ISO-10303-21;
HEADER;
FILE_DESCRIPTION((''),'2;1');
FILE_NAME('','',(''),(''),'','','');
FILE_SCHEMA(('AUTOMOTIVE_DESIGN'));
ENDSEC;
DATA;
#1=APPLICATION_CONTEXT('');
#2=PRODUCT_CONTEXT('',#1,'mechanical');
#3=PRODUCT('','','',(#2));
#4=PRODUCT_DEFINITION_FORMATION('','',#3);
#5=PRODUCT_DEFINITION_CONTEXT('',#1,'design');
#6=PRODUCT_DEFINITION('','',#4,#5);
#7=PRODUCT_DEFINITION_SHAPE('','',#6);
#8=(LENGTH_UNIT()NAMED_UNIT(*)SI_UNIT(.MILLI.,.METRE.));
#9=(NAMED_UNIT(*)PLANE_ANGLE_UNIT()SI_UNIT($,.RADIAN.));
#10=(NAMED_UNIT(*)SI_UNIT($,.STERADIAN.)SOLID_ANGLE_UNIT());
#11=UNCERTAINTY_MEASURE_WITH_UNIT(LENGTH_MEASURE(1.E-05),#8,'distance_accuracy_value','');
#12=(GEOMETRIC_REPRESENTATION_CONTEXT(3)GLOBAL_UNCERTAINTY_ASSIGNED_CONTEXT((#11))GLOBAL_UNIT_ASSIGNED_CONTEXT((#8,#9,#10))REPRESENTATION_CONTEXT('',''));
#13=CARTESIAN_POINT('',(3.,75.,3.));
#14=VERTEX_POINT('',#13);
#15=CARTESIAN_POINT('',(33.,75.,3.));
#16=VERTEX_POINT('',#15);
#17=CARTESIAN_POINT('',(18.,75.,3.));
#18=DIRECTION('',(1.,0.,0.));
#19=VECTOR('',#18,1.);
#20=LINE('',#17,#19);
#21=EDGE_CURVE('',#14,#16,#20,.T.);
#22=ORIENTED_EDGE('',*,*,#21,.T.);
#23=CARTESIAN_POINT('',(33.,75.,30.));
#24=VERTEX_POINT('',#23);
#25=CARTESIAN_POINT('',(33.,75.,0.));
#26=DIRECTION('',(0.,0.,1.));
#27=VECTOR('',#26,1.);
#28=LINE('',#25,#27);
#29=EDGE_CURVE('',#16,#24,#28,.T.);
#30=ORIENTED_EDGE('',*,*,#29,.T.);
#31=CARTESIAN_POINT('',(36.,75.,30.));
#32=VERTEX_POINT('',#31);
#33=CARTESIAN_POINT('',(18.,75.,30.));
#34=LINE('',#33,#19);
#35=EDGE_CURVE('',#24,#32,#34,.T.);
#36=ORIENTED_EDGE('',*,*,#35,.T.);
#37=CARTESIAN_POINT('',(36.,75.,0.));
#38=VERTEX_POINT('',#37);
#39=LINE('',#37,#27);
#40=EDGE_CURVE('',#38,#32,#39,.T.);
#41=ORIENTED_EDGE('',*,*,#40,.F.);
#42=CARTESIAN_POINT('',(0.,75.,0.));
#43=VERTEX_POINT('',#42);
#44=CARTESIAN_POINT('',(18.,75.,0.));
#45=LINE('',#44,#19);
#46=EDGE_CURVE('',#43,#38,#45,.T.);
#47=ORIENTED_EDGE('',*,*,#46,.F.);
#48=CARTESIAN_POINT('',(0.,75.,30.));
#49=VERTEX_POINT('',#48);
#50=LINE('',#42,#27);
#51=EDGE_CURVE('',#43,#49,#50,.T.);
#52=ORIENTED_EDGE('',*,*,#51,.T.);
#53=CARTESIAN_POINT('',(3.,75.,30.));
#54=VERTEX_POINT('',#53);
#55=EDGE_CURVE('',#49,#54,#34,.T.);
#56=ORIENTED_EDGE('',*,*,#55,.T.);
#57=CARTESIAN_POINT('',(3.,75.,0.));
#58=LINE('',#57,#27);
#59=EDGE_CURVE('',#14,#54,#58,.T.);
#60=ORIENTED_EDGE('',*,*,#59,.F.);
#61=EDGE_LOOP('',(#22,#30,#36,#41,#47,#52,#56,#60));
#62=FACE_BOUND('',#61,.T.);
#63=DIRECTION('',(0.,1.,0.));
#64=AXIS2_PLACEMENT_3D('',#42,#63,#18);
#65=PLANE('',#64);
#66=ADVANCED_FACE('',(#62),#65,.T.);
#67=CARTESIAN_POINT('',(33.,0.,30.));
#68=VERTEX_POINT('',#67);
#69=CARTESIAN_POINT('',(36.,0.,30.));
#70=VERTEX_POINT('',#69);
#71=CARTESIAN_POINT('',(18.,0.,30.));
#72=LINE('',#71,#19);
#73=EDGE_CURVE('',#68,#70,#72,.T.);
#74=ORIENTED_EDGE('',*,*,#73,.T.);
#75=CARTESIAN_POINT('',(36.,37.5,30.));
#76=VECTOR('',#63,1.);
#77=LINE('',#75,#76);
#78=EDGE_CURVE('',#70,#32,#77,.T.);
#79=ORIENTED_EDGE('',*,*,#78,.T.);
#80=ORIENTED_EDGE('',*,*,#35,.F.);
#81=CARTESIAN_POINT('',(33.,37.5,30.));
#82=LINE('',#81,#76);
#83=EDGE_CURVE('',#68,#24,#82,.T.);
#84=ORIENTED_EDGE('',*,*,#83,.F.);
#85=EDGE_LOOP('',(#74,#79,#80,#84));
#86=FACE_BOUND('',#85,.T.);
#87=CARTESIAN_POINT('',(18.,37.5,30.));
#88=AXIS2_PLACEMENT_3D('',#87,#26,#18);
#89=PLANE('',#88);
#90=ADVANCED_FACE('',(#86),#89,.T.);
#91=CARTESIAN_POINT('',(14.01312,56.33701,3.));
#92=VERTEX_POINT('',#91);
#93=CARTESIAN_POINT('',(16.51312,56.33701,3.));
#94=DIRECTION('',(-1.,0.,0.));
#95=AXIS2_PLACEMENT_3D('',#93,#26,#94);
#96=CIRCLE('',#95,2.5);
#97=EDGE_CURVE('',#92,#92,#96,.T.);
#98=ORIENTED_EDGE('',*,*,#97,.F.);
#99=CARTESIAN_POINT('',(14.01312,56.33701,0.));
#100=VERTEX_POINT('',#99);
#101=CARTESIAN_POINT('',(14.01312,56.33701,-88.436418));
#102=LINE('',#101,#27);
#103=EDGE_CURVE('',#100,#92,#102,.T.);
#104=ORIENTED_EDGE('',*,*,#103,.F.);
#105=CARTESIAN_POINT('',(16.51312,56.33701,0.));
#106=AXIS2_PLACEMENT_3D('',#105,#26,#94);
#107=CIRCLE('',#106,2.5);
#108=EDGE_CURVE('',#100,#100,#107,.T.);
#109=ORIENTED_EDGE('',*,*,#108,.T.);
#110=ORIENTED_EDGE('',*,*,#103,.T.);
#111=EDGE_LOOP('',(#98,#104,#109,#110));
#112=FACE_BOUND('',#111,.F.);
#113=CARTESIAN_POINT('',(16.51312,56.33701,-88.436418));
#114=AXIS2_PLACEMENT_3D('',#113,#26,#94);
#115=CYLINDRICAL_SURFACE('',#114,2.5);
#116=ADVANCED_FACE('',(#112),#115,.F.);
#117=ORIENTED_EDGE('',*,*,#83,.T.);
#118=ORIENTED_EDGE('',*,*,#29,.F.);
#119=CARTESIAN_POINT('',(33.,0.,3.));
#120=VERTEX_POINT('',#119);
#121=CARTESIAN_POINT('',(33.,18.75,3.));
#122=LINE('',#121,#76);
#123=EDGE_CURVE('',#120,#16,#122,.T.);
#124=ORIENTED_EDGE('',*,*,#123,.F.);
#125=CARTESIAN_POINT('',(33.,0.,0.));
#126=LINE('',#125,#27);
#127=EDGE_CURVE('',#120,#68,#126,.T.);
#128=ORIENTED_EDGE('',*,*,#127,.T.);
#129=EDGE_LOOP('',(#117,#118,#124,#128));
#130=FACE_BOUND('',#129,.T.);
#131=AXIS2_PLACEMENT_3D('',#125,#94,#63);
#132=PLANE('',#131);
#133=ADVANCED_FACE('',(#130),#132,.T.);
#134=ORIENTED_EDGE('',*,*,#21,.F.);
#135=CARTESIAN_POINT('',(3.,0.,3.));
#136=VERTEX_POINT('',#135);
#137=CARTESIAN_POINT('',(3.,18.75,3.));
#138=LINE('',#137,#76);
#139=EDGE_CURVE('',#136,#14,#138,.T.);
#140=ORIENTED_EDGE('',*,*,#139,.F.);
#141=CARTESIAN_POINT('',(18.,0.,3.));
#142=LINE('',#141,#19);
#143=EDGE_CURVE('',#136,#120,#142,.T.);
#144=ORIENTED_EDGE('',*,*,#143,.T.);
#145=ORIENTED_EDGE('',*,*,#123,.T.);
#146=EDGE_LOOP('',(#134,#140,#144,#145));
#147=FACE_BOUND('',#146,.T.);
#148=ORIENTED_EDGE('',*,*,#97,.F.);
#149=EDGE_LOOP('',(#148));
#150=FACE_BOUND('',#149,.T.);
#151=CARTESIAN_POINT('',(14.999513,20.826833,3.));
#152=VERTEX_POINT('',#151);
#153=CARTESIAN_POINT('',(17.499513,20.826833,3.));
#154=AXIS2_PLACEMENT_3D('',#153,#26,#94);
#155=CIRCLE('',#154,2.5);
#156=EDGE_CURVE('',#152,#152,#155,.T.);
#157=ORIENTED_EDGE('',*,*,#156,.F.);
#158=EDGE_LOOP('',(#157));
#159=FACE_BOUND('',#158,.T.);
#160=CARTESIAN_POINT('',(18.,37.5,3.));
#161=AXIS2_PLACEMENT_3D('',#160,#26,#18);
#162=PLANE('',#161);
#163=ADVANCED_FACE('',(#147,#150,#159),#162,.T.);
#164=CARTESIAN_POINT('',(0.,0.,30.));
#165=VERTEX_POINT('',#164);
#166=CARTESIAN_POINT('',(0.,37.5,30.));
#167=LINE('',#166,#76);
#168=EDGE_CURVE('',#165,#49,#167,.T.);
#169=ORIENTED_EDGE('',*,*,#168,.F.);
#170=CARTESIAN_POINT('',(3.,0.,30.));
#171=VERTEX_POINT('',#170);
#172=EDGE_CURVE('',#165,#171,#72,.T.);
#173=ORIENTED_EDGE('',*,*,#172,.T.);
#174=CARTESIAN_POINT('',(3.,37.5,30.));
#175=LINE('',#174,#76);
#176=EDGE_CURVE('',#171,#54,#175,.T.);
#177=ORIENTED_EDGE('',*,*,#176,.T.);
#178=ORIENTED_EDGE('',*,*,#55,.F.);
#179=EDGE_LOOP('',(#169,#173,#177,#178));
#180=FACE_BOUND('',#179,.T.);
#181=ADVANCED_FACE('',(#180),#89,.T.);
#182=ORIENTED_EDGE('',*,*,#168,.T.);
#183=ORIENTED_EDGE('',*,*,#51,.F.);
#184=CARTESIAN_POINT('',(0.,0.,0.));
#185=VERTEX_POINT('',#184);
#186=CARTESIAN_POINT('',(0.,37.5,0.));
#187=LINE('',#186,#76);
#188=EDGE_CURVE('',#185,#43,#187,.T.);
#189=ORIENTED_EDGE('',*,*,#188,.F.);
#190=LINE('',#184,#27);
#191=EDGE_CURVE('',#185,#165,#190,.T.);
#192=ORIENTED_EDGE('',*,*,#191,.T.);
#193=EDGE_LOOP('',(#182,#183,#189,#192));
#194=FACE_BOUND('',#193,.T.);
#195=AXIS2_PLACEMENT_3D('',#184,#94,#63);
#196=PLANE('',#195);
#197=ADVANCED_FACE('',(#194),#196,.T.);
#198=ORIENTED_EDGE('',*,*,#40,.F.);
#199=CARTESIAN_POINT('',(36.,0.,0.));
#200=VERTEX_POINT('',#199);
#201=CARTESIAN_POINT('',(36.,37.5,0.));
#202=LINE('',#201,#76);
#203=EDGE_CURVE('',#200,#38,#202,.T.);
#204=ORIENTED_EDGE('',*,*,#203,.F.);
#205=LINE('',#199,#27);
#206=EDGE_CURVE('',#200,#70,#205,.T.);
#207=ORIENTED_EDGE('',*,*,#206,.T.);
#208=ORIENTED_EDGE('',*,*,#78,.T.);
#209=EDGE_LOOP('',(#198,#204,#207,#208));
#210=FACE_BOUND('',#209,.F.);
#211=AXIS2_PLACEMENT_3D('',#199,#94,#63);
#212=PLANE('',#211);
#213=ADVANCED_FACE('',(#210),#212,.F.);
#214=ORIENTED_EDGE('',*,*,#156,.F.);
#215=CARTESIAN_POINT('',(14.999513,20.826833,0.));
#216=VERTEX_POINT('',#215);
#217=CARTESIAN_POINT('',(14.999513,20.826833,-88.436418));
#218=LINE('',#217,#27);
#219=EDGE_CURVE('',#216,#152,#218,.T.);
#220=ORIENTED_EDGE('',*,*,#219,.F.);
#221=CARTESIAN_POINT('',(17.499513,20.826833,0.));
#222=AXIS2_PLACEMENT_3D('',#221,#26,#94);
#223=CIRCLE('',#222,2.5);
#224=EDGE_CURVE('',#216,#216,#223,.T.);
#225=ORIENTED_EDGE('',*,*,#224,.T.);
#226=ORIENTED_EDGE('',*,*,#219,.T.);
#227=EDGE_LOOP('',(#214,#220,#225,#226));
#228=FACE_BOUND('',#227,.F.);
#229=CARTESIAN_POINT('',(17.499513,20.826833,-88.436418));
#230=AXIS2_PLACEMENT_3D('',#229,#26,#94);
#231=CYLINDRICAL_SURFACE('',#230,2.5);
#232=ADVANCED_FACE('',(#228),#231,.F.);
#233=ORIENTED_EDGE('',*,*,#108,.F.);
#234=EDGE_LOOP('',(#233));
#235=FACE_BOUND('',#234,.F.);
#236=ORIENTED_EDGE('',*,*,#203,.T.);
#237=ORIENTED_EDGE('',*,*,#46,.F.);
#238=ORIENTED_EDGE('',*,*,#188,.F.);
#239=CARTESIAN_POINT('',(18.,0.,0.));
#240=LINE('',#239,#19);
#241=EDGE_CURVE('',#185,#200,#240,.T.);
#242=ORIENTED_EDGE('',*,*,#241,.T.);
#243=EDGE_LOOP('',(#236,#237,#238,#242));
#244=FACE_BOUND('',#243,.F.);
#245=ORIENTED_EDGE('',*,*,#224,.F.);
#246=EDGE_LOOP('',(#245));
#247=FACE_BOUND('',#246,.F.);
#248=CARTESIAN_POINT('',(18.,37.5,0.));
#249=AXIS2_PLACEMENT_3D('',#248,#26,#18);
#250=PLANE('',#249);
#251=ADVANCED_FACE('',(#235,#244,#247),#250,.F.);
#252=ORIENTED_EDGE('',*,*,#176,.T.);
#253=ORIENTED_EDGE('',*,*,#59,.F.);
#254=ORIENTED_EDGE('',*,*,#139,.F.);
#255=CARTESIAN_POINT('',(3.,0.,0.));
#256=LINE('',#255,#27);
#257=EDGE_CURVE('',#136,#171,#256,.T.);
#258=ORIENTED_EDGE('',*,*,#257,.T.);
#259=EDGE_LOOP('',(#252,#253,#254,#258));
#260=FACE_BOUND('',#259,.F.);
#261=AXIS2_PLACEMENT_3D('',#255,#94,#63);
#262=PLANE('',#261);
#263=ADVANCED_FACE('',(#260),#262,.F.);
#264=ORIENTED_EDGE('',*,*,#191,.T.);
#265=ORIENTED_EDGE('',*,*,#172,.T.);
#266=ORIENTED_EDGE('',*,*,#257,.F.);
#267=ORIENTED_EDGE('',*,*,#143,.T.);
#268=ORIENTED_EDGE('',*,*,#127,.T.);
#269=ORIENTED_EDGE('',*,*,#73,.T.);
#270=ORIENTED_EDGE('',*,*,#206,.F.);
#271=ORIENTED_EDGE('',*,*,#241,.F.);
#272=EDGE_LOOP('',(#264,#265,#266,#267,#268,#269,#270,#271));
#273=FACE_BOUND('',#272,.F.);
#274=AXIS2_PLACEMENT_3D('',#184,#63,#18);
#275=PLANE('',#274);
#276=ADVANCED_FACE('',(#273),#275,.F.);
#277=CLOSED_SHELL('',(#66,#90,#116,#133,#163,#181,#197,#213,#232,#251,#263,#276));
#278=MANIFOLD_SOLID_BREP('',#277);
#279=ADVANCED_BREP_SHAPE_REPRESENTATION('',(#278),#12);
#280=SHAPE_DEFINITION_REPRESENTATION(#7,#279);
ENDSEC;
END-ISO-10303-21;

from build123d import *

# Parameters (mm, degrees)
F0_W     = 36
F0_H     = 75
F1_DEPTH = 30
F2_T     = -3
F4_D     = 5


with BuildPart() as f1:
    # F0 (on Top) → F1 (new body)
    with BuildSketch(Plane.XY):
        with Locations((18, 37.5)):
            Rectangle(F0_W, F0_H)
    extrude(amount=F1_DEPTH)

    # F2
    f2_openings = [f1.faces().sort_by_distance(p)[0] for p in [
        (18, 0, 15),
        (18, 37.5, 30),
        (18, 75, 15),
    ]]
    offset(amount=F2_T, openings=f2_openings)

    # F4 (through all)
    with Locations(Plane(origin=(0, 0, 0), x_dir=(1, 0, 0), z_dir=(0, 0, -1))):
        with Locations((17.4995128149, -20.8268326492), (16.5131200809, -56.3370103376)):
            Hole(F4_D / 2)


solid = f1.part
